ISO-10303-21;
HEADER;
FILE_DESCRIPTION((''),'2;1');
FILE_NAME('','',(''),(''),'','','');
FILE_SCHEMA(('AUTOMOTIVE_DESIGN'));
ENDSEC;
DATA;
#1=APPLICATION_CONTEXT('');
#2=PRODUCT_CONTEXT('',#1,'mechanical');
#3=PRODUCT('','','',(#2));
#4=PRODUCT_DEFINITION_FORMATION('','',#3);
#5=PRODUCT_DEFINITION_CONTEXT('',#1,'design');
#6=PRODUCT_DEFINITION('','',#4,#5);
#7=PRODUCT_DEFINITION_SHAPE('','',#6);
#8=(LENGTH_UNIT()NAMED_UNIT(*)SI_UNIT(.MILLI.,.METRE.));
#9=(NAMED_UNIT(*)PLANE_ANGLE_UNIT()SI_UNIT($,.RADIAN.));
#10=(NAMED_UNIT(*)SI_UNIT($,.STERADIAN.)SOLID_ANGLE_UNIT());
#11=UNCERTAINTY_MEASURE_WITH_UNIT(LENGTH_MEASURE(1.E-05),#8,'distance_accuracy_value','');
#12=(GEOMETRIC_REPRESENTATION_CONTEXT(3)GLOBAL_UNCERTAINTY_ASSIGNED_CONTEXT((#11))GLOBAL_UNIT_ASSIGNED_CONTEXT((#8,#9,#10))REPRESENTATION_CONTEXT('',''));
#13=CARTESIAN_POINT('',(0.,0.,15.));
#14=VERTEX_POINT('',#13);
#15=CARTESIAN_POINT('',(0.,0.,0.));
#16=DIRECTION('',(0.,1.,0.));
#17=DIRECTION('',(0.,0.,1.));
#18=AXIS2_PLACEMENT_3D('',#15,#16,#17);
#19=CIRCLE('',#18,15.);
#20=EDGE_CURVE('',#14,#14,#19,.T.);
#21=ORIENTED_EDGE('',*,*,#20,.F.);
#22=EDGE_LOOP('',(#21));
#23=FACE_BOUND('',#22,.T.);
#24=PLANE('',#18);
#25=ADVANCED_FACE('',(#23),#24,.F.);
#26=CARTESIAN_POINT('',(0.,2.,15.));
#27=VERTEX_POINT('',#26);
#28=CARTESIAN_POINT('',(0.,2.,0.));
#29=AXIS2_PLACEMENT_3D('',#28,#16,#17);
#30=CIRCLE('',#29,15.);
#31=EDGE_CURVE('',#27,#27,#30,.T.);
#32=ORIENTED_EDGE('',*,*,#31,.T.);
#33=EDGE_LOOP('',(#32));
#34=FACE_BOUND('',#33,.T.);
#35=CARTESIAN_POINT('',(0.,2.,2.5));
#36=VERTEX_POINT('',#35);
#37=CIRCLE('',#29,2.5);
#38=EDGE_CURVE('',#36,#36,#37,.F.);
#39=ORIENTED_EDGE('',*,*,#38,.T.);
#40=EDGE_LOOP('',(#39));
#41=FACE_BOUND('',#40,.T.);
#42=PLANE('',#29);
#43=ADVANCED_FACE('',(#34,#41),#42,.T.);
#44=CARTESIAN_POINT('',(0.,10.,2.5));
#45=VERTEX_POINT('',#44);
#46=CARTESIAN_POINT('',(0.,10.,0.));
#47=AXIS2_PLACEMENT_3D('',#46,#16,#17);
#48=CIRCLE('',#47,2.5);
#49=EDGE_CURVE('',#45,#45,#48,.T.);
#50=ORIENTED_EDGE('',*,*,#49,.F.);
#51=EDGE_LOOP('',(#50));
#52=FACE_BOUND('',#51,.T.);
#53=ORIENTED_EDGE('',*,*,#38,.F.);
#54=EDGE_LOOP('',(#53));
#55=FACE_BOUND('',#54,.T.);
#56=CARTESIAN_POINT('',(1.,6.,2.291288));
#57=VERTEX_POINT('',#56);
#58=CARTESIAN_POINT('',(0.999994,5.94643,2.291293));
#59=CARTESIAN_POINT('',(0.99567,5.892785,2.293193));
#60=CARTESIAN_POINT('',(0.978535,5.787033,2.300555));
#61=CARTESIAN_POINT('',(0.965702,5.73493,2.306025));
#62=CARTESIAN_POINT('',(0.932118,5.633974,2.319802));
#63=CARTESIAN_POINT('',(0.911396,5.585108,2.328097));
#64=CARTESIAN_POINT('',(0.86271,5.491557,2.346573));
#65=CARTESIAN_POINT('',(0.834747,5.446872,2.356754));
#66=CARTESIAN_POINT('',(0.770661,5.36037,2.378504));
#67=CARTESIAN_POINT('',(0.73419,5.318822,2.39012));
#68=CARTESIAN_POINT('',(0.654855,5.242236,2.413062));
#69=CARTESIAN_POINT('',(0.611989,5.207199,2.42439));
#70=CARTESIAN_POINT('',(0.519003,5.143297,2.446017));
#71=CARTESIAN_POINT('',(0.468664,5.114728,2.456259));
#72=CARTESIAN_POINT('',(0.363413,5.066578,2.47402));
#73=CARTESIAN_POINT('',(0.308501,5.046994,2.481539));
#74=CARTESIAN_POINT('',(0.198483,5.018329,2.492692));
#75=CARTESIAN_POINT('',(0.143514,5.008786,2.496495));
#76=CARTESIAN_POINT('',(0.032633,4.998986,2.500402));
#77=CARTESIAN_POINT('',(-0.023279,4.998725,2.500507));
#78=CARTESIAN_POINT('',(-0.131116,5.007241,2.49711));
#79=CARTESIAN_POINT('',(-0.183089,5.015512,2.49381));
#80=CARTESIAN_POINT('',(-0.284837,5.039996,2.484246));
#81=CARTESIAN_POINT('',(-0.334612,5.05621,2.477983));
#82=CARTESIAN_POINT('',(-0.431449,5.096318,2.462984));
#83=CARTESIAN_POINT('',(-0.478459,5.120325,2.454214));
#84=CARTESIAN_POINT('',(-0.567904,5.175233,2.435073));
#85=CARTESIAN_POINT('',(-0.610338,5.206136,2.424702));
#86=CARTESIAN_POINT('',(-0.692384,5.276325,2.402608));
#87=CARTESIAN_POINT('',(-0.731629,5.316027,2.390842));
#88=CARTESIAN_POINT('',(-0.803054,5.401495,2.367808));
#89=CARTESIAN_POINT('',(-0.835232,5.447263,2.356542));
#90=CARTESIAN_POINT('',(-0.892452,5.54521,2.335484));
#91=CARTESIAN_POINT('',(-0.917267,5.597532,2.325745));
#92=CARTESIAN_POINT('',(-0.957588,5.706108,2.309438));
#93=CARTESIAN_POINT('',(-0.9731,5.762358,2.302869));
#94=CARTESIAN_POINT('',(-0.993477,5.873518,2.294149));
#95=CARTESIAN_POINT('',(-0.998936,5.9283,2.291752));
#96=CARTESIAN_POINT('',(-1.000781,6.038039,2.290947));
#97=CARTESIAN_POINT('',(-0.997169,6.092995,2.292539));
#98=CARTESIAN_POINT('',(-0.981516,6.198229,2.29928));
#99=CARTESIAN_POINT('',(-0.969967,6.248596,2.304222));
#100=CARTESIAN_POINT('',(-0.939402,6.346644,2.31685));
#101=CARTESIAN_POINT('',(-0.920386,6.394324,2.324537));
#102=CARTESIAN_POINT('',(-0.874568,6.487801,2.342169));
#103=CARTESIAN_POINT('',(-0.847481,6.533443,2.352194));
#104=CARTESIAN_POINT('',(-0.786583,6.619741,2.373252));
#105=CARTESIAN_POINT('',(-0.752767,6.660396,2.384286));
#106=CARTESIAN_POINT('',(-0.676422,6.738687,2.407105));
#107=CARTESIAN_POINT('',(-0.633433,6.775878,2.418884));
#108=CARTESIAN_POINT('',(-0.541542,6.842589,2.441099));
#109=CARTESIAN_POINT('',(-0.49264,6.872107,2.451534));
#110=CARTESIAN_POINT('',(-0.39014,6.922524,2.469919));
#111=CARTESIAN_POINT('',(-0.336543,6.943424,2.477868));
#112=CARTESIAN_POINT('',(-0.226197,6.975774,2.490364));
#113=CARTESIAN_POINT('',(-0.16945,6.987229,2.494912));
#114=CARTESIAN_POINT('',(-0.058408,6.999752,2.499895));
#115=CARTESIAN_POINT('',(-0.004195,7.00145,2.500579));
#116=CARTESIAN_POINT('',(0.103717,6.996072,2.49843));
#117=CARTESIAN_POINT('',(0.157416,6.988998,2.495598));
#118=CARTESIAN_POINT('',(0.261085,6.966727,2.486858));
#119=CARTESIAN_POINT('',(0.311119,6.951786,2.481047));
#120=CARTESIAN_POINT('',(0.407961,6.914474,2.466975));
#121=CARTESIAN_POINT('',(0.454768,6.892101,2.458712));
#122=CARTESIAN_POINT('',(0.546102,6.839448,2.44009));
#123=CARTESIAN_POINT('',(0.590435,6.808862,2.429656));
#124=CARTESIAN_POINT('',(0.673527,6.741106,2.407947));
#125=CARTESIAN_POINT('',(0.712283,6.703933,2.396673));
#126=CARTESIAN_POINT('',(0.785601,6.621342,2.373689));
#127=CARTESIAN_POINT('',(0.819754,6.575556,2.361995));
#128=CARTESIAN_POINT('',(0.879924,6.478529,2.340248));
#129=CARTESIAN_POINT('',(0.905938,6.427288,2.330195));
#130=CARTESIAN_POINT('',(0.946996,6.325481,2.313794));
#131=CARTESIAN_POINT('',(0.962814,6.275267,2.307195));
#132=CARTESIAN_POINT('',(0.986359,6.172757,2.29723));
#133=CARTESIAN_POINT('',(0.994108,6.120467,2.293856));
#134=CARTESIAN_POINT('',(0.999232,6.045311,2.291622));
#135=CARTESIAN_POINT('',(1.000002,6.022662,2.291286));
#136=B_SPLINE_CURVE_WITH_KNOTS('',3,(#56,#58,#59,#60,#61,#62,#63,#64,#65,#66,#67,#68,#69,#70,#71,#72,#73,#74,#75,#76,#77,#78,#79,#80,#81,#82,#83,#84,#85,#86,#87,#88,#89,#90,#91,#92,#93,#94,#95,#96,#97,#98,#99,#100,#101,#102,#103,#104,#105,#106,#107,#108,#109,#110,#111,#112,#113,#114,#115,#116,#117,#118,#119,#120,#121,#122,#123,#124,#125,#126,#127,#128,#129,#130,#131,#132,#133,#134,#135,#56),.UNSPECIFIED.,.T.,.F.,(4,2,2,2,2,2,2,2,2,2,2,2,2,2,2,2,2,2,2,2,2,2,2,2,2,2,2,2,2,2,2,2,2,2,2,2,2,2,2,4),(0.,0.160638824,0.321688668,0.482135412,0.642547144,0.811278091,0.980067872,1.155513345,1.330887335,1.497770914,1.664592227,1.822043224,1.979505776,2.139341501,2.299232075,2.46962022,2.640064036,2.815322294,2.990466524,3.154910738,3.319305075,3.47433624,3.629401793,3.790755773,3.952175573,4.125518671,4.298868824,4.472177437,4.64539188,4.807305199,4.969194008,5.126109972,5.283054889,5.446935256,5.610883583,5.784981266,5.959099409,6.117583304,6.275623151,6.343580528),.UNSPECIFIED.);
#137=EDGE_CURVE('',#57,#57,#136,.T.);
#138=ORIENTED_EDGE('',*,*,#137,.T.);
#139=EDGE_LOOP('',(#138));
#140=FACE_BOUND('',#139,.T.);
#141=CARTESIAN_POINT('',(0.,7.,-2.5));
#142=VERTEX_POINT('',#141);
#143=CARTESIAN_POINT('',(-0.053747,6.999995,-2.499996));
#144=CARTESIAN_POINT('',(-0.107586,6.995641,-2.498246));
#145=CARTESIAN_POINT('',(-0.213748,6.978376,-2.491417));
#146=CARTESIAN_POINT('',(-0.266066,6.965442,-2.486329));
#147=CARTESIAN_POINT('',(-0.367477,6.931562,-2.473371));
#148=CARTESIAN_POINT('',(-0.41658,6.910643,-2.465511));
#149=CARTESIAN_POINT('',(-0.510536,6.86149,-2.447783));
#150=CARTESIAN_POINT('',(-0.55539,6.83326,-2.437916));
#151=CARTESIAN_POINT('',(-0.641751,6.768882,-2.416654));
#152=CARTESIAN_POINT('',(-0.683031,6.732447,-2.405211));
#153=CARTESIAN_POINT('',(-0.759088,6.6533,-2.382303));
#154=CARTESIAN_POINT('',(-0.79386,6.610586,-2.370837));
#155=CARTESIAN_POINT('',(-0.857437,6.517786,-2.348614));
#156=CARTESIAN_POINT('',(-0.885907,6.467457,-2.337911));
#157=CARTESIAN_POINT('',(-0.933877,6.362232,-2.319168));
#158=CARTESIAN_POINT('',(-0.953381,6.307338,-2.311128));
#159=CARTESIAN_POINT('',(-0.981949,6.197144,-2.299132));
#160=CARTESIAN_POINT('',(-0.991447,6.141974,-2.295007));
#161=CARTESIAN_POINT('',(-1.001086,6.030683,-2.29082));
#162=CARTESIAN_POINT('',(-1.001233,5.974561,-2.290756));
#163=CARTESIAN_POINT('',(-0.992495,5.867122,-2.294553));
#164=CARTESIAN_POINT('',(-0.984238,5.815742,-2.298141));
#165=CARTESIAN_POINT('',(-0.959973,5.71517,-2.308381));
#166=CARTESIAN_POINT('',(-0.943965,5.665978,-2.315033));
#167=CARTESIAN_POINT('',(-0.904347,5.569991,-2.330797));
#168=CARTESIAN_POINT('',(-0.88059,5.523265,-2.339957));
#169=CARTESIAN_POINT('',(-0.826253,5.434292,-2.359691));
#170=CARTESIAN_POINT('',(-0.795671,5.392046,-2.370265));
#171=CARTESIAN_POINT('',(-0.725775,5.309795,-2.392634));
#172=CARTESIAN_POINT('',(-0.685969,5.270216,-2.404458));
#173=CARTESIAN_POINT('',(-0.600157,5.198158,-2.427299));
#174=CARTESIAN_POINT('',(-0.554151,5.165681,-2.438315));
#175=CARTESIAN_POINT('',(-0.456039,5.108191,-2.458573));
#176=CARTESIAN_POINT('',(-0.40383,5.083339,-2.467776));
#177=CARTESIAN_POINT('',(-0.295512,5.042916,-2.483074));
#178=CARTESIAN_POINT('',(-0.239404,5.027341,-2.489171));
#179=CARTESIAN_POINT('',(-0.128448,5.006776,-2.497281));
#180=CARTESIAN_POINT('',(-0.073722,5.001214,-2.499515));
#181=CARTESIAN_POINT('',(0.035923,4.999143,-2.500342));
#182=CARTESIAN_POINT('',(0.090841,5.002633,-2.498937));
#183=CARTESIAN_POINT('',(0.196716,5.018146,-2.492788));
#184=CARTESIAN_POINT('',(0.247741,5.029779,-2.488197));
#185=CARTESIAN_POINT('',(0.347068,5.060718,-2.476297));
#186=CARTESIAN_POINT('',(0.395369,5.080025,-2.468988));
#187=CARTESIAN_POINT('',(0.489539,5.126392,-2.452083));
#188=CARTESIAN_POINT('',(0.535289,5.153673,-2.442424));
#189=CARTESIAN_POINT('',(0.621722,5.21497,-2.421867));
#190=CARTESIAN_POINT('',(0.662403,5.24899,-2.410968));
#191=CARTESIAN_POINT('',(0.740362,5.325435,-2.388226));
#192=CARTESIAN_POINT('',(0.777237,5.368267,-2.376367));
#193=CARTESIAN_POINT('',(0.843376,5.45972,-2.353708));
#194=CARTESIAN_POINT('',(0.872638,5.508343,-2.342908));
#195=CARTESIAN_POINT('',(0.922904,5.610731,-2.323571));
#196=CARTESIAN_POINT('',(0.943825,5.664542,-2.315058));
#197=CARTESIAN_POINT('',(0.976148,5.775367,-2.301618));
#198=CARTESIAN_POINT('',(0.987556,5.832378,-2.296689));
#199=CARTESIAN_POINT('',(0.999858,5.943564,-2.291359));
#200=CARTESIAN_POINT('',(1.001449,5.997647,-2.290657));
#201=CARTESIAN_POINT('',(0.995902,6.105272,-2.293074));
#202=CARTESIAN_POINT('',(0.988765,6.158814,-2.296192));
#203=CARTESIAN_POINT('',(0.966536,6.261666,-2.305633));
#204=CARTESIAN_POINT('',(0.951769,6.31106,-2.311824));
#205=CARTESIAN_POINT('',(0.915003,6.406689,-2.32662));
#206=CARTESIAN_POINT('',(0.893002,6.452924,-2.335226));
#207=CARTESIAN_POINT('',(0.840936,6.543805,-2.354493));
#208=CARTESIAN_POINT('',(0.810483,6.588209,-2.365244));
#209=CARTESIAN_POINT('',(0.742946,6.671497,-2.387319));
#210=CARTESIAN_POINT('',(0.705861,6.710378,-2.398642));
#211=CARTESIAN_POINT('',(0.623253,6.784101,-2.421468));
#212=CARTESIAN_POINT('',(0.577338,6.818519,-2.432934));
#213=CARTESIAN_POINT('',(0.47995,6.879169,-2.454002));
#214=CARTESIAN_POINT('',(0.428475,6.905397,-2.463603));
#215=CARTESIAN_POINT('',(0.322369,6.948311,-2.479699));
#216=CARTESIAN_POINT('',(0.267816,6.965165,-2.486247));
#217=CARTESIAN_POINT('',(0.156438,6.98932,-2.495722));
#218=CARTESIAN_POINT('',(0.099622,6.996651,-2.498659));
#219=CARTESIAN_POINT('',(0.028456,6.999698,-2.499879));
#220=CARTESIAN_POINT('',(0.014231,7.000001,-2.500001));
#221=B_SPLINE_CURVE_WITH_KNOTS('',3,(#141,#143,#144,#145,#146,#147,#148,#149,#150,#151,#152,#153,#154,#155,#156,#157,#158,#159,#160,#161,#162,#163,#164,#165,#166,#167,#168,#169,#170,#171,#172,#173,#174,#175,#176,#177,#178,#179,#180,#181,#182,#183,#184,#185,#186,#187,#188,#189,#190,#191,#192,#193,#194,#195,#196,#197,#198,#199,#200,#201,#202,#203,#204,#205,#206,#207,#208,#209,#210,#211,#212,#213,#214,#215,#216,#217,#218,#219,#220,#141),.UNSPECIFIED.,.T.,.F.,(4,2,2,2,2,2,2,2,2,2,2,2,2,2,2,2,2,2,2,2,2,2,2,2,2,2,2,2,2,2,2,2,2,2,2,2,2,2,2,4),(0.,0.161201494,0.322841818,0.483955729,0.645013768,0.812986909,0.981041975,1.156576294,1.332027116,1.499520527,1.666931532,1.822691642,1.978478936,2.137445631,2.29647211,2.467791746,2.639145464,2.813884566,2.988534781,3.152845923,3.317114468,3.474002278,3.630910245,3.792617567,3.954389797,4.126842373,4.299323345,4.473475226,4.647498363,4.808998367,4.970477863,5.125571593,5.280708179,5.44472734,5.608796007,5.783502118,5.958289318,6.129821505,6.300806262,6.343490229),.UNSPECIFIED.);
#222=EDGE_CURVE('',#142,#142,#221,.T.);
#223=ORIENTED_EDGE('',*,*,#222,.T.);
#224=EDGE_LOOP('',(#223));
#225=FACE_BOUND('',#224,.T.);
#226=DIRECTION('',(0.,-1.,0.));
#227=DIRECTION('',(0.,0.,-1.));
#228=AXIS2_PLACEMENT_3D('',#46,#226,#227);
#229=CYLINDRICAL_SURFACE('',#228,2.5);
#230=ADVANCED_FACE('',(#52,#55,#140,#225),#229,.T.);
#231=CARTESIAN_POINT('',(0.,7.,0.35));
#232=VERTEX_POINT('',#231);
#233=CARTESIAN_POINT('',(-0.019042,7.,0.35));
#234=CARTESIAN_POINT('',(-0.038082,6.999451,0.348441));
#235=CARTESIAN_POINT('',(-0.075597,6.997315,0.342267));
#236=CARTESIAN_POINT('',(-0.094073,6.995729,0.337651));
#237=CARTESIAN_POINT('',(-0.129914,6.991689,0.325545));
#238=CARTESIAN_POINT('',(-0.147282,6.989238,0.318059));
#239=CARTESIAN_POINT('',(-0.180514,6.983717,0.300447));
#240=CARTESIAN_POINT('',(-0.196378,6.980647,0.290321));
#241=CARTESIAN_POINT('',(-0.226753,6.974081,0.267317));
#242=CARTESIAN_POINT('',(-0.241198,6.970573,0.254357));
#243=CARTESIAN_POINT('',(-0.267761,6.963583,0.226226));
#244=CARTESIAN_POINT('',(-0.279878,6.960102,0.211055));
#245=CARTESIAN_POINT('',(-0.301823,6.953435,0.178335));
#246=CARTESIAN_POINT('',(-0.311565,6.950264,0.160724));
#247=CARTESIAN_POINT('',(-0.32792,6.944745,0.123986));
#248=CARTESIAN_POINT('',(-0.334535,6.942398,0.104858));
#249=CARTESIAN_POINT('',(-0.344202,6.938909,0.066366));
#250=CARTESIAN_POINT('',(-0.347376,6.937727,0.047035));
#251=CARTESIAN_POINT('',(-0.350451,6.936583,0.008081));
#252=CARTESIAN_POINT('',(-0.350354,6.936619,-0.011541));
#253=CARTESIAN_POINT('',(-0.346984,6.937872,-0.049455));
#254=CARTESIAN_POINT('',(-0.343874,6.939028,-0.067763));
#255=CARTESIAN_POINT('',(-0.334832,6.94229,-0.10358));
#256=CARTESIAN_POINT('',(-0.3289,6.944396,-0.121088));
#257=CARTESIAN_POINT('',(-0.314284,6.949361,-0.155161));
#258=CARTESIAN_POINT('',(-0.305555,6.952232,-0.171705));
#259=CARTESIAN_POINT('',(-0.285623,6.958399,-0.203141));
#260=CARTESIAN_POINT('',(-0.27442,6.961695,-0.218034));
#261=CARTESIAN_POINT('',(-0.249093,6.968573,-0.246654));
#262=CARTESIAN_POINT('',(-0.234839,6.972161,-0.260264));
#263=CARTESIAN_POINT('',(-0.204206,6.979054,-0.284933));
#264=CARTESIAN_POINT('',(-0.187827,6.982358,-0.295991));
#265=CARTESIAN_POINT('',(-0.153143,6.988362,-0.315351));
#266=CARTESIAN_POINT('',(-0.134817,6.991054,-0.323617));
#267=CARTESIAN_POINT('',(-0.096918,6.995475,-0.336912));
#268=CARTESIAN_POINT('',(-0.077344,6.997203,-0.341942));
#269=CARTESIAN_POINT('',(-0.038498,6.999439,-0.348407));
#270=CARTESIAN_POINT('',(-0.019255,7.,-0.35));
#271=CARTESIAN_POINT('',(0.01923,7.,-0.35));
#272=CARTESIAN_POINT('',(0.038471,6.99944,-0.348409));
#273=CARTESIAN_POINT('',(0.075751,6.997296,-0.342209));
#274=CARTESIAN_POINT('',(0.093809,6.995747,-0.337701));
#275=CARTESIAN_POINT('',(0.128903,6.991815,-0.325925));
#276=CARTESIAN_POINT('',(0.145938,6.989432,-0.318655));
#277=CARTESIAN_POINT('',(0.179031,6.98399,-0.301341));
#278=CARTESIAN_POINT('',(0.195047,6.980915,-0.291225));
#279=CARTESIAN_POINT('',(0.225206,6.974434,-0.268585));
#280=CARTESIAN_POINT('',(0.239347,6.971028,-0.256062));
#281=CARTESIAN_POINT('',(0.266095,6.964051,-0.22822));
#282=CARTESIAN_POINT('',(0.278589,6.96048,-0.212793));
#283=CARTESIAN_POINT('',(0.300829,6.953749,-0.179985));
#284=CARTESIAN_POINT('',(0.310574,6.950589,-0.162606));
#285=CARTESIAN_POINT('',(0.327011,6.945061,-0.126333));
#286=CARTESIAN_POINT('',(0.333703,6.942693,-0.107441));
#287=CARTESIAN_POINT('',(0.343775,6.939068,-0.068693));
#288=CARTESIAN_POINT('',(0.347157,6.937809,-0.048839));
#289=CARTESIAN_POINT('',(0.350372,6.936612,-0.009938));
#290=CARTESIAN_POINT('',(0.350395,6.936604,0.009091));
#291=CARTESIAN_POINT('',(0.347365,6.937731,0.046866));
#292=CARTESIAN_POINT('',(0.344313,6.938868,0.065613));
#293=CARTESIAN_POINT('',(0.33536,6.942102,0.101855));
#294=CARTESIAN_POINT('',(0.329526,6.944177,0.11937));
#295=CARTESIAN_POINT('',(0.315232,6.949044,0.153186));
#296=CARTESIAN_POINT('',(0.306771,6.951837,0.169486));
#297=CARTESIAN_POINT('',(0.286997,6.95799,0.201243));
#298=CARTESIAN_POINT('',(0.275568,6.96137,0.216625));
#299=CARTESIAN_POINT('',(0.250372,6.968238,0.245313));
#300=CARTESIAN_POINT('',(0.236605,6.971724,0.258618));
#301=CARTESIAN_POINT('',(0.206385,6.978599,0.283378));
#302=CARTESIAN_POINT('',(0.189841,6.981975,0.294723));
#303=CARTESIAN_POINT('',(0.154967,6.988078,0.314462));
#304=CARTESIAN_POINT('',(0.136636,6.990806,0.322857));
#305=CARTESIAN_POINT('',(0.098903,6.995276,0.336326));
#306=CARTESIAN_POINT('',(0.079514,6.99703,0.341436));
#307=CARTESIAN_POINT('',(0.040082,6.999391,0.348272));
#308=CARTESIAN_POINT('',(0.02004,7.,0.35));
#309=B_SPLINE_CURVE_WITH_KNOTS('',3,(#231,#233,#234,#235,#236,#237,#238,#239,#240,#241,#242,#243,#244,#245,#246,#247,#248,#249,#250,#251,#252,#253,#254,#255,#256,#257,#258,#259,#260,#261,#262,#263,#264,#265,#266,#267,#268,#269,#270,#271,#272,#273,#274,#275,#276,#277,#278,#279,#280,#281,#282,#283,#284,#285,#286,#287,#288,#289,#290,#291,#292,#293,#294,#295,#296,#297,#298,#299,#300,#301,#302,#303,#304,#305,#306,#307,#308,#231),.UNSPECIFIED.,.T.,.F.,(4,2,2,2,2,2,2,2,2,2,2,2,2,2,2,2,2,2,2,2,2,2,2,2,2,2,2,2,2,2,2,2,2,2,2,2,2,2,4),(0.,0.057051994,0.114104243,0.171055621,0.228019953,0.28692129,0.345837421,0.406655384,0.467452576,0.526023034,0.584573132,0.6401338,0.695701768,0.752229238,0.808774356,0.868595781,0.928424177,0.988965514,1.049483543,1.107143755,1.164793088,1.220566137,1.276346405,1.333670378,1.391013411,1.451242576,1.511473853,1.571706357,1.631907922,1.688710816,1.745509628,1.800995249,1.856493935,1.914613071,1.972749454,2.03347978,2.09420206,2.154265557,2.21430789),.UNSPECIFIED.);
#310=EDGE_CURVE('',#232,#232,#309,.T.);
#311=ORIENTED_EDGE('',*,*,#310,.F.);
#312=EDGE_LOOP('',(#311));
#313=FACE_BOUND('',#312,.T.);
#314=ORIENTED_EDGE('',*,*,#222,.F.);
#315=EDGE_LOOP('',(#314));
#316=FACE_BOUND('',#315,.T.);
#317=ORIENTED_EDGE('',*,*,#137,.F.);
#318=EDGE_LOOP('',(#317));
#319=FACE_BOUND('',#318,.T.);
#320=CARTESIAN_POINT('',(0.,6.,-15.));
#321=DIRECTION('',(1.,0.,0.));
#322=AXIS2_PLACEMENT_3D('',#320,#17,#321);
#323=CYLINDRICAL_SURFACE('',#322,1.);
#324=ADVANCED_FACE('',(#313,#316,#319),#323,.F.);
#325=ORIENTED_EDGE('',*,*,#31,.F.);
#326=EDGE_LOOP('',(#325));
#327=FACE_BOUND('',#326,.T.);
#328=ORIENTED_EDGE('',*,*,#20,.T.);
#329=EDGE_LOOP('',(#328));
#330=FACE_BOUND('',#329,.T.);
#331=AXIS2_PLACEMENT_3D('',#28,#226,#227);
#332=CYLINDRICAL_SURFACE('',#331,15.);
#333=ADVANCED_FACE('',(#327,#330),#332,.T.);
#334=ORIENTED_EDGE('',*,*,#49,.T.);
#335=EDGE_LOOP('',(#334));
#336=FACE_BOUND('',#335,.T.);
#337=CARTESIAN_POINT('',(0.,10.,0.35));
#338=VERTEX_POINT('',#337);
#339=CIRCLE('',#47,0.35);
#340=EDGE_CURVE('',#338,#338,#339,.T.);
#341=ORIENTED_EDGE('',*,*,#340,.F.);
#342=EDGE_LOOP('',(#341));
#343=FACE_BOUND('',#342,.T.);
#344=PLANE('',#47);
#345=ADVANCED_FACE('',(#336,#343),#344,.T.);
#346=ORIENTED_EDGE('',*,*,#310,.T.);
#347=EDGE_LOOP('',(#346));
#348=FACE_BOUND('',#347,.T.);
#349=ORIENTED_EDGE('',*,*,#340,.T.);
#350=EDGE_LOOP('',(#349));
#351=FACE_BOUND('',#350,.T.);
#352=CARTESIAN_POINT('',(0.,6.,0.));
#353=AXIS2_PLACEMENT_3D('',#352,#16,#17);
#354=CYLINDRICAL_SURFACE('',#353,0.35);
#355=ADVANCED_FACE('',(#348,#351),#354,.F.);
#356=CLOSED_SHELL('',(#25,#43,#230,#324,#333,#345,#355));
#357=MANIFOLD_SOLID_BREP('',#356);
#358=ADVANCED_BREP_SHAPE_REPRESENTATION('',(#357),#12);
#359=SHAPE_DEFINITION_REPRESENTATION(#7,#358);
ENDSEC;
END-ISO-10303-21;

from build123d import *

# Parameters (mm, degrees)
SKETCH_1_R               = 15
EXTRUDE_1_DEPTH          = 2
SKETCH_1_7_R             = 2.5
EXTRUDE_2_DEPTH          = 10
SKETCH_2_R               = 0.35
CUT_EXTRUDE_1_DEPTH      = 4
CUT_EXTRUDE_3_DEPTH      = 24.452078799
CUT_EXTRUDE_3_DEPTH_BACK = 24.452078799
SKETCH_3_R               = 1


with BuildPart() as part:
    # 草图1 → 凸台-拉伸1 (new body)
    with BuildSketch(Plane(origin=(0, 0, 0), x_dir=(1, 0, 0), z_dir=(0, 1, 0))):
        Circle(SKETCH_1_R)
    extrude(amount=EXTRUDE_1_DEPTH)

    # 草图1<7> → 凸台-拉伸2 (add)
    with BuildSketch(Plane(origin=(0, 0, 0), x_dir=(1, 0, 0), z_dir=(0, 1, 0))):
        Circle(SKETCH_1_7_R)
    extrude(amount=EXTRUDE_2_DEPTH)

    # 草图2 → 切除-拉伸1 (cut)
    with BuildSketch(Plane(origin=(0, 10, 0), x_dir=(1, 0, 0), z_dir=(0, 1, 0))):
        Circle(SKETCH_2_R)
    extrude(amount=-CUT_EXTRUDE_1_DEPTH, mode=Mode.SUBTRACT)

    # 草图3 → 切除-拉伸3 (cut, two sides: drawn at the far end of the back side and taken through both)
    with BuildSketch(Plane.XY.offset(-CUT_EXTRUDE_3_DEPTH_BACK)):
        with Locations((0, 6)):
            Circle(SKETCH_3_R)
    extrude(amount=CUT_EXTRUDE_3_DEPTH + CUT_EXTRUDE_3_DEPTH_BACK, mode=Mode.SUBTRACT)


solid = part.part
